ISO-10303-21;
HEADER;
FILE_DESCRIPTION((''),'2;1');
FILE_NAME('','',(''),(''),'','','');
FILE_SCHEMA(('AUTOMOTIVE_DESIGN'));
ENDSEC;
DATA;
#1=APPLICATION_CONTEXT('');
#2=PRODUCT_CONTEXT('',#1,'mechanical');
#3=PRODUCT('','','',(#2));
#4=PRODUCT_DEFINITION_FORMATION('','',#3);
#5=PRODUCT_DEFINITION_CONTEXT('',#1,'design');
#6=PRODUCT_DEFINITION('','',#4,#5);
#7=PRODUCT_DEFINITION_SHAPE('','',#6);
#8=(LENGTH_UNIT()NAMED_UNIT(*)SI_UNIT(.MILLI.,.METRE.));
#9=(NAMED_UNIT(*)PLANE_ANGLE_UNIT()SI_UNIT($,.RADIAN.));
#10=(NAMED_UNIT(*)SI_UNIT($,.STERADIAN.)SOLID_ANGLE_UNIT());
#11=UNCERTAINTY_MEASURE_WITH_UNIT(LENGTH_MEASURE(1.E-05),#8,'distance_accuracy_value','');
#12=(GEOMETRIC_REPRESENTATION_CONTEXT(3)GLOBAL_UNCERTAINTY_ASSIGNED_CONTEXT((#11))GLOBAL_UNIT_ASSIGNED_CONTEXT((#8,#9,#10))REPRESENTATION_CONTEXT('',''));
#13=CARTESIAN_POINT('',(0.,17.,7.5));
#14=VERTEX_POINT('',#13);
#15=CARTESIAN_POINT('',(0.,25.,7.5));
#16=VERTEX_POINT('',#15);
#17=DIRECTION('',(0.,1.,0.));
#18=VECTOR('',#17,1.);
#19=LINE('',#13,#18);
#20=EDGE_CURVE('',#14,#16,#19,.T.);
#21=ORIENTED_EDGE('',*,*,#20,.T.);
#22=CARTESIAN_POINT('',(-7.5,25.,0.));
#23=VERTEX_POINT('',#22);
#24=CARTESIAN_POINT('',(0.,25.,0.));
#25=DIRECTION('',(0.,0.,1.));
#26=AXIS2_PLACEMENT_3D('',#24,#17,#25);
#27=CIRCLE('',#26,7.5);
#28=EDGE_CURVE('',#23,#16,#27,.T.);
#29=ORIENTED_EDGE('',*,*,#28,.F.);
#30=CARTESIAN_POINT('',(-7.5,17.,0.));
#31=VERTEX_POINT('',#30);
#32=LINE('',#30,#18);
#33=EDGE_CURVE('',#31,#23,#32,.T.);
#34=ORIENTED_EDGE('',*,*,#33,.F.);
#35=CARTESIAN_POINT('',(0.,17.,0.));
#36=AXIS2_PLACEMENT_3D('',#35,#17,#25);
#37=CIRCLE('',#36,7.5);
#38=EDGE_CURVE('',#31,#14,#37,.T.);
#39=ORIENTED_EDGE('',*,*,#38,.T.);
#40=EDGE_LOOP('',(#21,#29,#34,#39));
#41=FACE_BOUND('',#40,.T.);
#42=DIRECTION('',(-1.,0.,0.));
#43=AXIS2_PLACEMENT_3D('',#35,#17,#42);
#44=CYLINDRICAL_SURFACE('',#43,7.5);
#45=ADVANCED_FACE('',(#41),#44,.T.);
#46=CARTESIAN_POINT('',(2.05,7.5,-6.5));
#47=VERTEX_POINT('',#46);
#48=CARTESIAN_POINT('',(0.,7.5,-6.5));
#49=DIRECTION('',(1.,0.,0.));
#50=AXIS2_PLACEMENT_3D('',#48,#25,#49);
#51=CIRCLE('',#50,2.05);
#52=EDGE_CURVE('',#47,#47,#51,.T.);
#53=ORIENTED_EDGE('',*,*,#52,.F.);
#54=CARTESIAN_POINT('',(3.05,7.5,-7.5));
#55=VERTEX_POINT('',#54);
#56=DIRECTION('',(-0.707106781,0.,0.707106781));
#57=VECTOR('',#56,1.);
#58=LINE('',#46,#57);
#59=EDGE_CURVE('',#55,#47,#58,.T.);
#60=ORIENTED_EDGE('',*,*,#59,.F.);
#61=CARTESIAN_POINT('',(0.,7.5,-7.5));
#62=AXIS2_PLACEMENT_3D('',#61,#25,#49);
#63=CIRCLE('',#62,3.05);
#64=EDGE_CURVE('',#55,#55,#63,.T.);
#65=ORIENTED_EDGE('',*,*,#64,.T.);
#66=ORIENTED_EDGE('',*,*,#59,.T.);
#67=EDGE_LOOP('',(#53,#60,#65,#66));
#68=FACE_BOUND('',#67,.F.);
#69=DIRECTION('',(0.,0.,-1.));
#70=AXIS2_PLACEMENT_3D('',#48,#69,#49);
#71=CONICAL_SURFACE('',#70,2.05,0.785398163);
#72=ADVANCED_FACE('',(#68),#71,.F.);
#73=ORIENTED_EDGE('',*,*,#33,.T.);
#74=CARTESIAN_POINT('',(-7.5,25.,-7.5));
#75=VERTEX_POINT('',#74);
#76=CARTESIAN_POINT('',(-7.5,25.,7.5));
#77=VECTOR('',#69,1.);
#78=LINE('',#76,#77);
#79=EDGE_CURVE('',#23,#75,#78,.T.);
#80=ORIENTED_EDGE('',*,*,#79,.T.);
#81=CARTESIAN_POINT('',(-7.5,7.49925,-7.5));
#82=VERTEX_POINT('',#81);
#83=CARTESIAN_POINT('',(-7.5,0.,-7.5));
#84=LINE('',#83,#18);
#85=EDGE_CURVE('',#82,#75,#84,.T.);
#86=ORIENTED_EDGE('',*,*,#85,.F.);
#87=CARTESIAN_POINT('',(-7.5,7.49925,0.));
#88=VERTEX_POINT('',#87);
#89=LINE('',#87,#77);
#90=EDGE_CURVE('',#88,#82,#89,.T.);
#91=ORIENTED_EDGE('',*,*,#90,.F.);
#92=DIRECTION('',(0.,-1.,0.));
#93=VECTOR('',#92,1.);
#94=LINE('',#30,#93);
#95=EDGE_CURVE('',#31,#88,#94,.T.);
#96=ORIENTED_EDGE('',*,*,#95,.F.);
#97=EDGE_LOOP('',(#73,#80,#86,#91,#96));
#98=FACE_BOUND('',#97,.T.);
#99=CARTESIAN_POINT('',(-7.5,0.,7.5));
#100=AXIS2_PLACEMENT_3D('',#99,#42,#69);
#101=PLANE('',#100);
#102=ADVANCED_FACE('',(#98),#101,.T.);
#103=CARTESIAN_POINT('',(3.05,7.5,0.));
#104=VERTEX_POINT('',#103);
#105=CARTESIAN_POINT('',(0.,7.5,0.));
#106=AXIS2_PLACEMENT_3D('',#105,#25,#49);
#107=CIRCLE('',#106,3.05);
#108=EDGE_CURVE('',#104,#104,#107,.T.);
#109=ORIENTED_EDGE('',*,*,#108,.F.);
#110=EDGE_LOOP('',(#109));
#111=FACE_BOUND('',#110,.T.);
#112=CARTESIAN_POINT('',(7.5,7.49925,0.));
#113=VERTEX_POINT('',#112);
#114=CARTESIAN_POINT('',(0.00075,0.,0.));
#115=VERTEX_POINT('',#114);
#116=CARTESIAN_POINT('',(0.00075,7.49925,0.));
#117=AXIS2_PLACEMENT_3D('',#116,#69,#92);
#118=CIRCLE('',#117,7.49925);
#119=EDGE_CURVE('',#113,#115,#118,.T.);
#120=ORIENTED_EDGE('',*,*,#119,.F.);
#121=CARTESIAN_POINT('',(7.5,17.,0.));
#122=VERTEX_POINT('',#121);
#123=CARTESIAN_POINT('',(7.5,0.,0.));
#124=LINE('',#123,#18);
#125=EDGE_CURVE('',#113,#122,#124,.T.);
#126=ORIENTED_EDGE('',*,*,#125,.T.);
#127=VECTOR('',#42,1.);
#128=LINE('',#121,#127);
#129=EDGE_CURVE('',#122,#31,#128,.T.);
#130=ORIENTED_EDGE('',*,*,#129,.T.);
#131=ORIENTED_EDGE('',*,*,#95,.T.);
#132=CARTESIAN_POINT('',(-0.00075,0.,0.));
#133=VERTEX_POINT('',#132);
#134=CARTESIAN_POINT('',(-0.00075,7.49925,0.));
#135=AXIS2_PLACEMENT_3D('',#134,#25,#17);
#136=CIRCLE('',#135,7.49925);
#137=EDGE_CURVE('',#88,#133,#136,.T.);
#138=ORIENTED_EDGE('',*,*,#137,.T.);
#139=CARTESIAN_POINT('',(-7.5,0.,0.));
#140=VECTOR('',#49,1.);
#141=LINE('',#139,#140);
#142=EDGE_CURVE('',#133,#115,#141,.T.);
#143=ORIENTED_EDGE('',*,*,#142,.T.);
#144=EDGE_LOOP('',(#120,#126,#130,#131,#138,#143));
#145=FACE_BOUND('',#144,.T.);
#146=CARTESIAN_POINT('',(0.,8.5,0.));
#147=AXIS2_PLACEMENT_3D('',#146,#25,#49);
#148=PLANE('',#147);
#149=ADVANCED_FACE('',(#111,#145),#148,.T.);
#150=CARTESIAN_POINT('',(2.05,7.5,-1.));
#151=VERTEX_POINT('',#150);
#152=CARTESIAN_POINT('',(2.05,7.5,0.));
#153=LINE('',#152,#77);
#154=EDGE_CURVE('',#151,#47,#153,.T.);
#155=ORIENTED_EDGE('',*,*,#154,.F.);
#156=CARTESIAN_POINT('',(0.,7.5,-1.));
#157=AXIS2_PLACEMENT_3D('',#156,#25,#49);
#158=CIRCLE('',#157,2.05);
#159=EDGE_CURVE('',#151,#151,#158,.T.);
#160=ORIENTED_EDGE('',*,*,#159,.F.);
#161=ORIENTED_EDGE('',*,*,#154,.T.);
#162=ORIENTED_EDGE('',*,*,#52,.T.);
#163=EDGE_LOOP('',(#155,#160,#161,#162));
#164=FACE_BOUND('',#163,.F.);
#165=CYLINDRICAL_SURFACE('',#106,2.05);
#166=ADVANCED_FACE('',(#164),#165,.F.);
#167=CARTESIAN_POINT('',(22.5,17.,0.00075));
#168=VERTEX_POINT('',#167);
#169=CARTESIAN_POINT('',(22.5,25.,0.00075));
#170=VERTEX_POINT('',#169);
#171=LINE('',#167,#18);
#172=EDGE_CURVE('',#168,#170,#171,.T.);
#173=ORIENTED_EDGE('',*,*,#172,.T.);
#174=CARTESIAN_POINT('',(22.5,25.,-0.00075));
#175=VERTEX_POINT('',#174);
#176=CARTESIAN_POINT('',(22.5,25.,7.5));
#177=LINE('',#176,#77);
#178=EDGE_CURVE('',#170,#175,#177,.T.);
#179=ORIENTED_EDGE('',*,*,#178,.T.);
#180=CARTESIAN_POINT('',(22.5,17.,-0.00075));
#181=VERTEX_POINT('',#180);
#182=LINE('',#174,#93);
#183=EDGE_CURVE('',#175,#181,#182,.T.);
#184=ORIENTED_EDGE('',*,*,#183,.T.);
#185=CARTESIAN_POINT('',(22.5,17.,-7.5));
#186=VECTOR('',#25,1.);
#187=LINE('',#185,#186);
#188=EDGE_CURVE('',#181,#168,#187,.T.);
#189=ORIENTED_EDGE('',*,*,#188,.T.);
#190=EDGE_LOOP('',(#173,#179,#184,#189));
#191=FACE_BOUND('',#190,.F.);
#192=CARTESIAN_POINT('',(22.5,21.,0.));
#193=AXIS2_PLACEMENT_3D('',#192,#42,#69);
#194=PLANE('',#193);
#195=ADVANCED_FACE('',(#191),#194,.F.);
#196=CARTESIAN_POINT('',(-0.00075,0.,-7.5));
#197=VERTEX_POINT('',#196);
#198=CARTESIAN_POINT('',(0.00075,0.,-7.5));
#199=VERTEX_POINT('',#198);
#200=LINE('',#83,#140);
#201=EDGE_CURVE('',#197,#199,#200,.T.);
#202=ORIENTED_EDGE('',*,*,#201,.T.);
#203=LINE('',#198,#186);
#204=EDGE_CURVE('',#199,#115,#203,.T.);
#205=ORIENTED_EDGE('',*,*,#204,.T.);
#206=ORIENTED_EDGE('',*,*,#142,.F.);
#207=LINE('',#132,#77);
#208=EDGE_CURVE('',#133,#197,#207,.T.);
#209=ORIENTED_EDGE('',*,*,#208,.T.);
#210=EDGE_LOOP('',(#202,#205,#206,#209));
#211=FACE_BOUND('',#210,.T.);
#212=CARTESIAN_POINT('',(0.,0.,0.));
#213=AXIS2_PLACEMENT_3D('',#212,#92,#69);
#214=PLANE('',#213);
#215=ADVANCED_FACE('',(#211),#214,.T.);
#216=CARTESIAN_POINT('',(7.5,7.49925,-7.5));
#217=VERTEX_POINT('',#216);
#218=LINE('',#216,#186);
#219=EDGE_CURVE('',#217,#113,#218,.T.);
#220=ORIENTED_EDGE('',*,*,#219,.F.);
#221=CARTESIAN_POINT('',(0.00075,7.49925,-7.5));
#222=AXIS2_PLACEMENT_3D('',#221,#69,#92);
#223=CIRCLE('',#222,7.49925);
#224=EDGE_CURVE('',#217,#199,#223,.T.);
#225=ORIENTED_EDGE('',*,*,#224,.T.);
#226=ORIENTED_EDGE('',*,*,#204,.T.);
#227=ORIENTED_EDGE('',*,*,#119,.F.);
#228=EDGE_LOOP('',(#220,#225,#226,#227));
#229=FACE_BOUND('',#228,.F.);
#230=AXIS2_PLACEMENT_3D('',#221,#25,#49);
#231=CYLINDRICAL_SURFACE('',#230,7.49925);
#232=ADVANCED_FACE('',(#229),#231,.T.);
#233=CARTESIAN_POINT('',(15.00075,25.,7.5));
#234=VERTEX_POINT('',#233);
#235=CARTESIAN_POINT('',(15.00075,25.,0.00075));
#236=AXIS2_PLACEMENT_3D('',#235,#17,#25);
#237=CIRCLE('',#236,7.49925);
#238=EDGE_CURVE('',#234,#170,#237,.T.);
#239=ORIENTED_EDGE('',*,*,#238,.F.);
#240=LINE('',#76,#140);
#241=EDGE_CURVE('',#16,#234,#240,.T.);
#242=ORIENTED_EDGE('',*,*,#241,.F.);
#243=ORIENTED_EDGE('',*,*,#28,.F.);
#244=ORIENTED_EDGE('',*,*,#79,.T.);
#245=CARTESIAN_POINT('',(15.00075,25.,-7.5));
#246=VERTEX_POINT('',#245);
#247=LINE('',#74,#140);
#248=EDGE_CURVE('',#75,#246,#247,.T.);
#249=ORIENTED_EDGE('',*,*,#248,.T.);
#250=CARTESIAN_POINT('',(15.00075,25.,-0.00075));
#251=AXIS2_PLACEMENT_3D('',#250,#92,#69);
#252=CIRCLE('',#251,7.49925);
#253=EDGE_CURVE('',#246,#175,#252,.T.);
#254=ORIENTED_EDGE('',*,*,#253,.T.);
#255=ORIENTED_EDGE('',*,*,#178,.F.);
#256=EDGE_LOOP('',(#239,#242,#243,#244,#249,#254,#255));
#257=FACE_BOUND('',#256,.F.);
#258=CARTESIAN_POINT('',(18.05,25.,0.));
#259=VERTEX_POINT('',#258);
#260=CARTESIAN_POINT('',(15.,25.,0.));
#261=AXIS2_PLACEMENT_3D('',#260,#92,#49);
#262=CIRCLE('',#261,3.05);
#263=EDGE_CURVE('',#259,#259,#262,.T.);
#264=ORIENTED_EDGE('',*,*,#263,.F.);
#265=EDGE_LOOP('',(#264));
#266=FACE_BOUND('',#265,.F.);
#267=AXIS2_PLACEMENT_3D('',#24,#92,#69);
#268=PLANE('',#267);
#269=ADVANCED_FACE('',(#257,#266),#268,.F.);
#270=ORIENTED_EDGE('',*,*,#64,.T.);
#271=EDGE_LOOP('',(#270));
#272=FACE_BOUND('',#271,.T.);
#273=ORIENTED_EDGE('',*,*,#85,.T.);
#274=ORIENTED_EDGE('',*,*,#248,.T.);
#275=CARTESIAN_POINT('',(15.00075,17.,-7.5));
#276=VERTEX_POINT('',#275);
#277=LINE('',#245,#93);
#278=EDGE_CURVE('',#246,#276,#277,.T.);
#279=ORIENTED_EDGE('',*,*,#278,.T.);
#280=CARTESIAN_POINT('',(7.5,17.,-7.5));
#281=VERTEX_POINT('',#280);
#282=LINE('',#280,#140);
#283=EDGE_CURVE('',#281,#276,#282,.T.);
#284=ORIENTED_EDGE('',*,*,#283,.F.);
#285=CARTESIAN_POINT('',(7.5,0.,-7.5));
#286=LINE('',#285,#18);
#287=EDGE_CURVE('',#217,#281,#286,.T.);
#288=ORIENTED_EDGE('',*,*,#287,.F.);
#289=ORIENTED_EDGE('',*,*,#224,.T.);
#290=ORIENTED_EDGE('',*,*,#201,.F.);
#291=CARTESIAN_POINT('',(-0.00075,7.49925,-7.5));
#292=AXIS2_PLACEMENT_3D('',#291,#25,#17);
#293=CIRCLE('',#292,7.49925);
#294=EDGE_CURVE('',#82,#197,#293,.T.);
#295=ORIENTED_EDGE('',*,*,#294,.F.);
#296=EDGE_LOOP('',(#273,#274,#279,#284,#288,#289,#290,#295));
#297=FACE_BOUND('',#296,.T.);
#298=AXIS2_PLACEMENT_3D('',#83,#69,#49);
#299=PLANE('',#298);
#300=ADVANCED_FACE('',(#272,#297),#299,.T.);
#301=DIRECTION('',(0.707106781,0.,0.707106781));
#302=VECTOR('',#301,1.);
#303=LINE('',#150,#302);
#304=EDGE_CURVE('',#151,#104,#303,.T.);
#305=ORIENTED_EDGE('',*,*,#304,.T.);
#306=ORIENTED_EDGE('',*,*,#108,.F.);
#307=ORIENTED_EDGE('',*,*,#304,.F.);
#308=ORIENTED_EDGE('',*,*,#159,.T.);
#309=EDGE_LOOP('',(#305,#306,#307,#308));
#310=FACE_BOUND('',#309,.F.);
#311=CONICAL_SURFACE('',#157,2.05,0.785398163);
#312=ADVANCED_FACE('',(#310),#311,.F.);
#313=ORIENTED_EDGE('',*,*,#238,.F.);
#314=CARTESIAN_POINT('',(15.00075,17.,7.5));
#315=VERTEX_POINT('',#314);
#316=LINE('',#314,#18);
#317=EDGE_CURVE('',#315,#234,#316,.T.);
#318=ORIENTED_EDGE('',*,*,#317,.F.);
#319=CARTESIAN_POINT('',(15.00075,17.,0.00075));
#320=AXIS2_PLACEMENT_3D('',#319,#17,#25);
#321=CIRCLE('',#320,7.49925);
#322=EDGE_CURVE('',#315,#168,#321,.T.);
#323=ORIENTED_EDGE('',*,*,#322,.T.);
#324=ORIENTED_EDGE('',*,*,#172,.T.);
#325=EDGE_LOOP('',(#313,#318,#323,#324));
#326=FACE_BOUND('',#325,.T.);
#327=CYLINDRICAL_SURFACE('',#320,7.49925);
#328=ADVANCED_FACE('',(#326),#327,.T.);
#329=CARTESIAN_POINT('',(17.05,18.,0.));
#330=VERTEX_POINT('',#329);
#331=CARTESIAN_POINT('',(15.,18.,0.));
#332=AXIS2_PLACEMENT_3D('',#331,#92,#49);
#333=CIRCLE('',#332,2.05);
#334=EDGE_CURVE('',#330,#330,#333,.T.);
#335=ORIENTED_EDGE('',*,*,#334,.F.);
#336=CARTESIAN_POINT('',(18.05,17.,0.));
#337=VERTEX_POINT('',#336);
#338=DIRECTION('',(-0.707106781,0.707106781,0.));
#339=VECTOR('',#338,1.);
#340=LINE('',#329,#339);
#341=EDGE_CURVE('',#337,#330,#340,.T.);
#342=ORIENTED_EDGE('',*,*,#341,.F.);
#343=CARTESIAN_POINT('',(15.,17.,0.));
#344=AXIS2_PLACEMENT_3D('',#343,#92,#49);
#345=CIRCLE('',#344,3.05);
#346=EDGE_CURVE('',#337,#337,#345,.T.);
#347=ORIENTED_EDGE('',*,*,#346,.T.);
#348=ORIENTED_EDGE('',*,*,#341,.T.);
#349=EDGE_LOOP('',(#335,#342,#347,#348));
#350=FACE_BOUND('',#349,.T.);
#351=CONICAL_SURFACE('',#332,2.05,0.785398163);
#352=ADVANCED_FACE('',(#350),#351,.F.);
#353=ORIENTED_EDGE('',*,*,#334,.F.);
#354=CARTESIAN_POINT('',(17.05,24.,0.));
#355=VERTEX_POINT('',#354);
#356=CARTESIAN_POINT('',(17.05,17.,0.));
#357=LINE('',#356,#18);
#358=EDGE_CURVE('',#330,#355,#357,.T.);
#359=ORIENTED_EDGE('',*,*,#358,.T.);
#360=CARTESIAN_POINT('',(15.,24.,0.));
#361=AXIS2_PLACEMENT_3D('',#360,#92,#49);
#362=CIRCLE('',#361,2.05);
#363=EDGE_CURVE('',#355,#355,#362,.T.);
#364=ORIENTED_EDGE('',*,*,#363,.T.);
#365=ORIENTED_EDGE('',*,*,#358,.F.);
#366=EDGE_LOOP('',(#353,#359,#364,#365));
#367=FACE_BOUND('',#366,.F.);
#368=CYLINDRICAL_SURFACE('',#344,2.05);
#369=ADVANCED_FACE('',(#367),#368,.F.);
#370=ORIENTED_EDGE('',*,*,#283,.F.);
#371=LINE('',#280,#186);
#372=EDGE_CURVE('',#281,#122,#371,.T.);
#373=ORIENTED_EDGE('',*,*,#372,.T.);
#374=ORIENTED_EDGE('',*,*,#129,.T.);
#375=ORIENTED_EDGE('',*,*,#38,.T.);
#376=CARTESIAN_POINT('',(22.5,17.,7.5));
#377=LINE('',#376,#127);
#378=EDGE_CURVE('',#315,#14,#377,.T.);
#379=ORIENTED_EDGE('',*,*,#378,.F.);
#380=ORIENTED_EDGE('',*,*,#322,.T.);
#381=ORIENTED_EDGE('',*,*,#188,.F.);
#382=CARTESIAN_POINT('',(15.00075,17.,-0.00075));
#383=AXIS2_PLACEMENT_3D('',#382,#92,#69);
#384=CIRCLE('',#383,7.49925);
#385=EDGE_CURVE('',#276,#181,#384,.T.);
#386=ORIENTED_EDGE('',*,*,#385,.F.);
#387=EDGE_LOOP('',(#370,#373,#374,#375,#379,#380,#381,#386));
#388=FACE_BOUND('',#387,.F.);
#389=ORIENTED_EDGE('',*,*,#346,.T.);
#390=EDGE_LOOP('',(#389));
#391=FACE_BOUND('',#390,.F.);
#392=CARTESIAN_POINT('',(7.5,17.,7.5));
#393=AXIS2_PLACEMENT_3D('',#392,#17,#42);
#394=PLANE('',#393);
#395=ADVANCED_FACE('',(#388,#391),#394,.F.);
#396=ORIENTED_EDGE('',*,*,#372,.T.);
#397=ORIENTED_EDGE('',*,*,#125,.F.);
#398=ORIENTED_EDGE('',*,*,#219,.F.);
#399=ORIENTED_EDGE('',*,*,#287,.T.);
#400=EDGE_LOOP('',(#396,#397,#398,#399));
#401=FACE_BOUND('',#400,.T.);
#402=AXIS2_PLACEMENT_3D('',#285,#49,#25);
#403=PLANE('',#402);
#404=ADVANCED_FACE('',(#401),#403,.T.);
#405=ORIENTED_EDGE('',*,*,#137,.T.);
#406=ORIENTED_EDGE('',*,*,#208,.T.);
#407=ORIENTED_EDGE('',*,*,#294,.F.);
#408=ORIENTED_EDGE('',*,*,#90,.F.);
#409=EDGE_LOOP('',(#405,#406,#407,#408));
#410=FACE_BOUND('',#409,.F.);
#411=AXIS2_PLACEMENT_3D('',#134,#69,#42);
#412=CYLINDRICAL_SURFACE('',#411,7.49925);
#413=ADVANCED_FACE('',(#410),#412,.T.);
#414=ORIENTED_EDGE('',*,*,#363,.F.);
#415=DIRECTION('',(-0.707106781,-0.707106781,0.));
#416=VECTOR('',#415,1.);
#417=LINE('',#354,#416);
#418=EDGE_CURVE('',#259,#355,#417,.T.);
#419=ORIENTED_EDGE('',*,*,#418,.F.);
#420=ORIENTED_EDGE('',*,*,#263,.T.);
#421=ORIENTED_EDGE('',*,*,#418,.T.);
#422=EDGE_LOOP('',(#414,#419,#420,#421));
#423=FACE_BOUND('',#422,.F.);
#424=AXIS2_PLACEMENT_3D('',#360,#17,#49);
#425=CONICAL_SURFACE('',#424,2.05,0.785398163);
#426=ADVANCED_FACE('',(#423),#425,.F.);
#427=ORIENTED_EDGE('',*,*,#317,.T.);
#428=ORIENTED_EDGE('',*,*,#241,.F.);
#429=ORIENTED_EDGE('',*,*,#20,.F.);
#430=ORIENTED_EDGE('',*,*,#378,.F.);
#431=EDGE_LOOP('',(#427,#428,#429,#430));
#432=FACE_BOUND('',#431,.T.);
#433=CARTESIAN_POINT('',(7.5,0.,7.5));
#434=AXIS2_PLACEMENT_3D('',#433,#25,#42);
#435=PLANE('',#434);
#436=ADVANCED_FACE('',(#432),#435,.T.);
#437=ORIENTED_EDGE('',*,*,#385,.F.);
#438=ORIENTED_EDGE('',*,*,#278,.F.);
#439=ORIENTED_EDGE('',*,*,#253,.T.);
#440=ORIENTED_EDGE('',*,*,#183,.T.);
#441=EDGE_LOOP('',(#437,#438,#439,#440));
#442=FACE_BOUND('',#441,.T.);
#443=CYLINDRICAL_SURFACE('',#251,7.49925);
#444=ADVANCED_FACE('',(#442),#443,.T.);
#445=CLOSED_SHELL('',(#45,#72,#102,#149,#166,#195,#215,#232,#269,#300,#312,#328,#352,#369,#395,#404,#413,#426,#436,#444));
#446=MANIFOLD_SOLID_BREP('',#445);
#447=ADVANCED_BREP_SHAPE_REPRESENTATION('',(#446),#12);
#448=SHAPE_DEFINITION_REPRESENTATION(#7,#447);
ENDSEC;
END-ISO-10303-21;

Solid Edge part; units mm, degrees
sketch "Sketch1" plane through (0, 0, 0) normal (0, -1, 0) x (1, 0, 0)
  line L0 (-7.5, -7.5) -> (7.5, -7.5)
  line L1 (7.5, -7.5) -> (7.5, 7.5)
  line L2 (7.5, 7.5) -> (-7.5, 7.5)
  line L3 (-7.5, 7.5) -> (-7.5, -7.5)
  dimension "D1" = 15
  dimension "D2" = 15
extrude "Protrusion1" add sketch "Sketch1" against normal blind 25
sketch "Sketch2" plane through (0, 12.5, 7.5) normal (0, 0, 1) x (1, 0, 0)
  line L0 (-7.5, -12.5) -> (7.5, -12.5)
  line L1 (7.5, -12.5) -> (7.5, 4.5)
  line L2 (7.5, 4.5) -> (-7.5, 4.5)
  line L3 (-7.5, 4.5) -> (-7.5, -12.5)
  dimension "D1" = 17
extrude "Extrusionsausschnitt_1" cut sketch "Sketch2" against normal blind 7.5
fillet "Verrundung_1" radius 7.5 2 edges at (7.5, 0, -3.75) (-7.5, 0, -3.75)
sketch "Sketch3" plane through (0, 8.5, 0) normal (0, 0, 1) x (1, 0, 0)
  circle A0 centre (0, -1) radius 2.05
  dimension "D1" = 4.1
extrude "Cutout1" cut sketch "Sketch3" against normal through all
chamfer "Fase_1" distance 1 angle 45 2 edges at (-2.05, 7.5, 0) (2.05, 7.5, -7.5)
sketch "Sketch4" plane through (7.5, 16.25, 0) normal (1, 0, 0) x (0, 1, 0)
  line L0 (0.75, 7.5) -> (8.75, 7.5)
  line L1 (8.75, 7.5) -> (8.75, -7.5)
  line L2 (8.75, -7.5) -> (0.75, -7.5)
  line L3 (0.75, -7.5) -> (0.75, 7.5)
extrude "Extrusionsausprägung_2" add sketch "Sketch4" along normal blind 15
fillet "Verrundung_2" radius 7.5 2 edges at (22.5, 21, 7.5) (22.5, 21, -7.5)
sketch "Sketch5" plane through (7.5, 17, 0) normal (0, -1, 0) x (1, 0, 0)
  circle A0 centre (7.5, 0) radius 2.05
  dimension "D1" = 4.1
extrude "Cutout2" cut sketch "Sketch5" against normal through all
chamfer "Fase_2" distance 1 angle 45 2 edges at (12.95, 17, 0) (15, 25, 2.05)
fillet "Verrundung_3" radius 7.5 1 edges at (-7.5, 21, 7.5)
